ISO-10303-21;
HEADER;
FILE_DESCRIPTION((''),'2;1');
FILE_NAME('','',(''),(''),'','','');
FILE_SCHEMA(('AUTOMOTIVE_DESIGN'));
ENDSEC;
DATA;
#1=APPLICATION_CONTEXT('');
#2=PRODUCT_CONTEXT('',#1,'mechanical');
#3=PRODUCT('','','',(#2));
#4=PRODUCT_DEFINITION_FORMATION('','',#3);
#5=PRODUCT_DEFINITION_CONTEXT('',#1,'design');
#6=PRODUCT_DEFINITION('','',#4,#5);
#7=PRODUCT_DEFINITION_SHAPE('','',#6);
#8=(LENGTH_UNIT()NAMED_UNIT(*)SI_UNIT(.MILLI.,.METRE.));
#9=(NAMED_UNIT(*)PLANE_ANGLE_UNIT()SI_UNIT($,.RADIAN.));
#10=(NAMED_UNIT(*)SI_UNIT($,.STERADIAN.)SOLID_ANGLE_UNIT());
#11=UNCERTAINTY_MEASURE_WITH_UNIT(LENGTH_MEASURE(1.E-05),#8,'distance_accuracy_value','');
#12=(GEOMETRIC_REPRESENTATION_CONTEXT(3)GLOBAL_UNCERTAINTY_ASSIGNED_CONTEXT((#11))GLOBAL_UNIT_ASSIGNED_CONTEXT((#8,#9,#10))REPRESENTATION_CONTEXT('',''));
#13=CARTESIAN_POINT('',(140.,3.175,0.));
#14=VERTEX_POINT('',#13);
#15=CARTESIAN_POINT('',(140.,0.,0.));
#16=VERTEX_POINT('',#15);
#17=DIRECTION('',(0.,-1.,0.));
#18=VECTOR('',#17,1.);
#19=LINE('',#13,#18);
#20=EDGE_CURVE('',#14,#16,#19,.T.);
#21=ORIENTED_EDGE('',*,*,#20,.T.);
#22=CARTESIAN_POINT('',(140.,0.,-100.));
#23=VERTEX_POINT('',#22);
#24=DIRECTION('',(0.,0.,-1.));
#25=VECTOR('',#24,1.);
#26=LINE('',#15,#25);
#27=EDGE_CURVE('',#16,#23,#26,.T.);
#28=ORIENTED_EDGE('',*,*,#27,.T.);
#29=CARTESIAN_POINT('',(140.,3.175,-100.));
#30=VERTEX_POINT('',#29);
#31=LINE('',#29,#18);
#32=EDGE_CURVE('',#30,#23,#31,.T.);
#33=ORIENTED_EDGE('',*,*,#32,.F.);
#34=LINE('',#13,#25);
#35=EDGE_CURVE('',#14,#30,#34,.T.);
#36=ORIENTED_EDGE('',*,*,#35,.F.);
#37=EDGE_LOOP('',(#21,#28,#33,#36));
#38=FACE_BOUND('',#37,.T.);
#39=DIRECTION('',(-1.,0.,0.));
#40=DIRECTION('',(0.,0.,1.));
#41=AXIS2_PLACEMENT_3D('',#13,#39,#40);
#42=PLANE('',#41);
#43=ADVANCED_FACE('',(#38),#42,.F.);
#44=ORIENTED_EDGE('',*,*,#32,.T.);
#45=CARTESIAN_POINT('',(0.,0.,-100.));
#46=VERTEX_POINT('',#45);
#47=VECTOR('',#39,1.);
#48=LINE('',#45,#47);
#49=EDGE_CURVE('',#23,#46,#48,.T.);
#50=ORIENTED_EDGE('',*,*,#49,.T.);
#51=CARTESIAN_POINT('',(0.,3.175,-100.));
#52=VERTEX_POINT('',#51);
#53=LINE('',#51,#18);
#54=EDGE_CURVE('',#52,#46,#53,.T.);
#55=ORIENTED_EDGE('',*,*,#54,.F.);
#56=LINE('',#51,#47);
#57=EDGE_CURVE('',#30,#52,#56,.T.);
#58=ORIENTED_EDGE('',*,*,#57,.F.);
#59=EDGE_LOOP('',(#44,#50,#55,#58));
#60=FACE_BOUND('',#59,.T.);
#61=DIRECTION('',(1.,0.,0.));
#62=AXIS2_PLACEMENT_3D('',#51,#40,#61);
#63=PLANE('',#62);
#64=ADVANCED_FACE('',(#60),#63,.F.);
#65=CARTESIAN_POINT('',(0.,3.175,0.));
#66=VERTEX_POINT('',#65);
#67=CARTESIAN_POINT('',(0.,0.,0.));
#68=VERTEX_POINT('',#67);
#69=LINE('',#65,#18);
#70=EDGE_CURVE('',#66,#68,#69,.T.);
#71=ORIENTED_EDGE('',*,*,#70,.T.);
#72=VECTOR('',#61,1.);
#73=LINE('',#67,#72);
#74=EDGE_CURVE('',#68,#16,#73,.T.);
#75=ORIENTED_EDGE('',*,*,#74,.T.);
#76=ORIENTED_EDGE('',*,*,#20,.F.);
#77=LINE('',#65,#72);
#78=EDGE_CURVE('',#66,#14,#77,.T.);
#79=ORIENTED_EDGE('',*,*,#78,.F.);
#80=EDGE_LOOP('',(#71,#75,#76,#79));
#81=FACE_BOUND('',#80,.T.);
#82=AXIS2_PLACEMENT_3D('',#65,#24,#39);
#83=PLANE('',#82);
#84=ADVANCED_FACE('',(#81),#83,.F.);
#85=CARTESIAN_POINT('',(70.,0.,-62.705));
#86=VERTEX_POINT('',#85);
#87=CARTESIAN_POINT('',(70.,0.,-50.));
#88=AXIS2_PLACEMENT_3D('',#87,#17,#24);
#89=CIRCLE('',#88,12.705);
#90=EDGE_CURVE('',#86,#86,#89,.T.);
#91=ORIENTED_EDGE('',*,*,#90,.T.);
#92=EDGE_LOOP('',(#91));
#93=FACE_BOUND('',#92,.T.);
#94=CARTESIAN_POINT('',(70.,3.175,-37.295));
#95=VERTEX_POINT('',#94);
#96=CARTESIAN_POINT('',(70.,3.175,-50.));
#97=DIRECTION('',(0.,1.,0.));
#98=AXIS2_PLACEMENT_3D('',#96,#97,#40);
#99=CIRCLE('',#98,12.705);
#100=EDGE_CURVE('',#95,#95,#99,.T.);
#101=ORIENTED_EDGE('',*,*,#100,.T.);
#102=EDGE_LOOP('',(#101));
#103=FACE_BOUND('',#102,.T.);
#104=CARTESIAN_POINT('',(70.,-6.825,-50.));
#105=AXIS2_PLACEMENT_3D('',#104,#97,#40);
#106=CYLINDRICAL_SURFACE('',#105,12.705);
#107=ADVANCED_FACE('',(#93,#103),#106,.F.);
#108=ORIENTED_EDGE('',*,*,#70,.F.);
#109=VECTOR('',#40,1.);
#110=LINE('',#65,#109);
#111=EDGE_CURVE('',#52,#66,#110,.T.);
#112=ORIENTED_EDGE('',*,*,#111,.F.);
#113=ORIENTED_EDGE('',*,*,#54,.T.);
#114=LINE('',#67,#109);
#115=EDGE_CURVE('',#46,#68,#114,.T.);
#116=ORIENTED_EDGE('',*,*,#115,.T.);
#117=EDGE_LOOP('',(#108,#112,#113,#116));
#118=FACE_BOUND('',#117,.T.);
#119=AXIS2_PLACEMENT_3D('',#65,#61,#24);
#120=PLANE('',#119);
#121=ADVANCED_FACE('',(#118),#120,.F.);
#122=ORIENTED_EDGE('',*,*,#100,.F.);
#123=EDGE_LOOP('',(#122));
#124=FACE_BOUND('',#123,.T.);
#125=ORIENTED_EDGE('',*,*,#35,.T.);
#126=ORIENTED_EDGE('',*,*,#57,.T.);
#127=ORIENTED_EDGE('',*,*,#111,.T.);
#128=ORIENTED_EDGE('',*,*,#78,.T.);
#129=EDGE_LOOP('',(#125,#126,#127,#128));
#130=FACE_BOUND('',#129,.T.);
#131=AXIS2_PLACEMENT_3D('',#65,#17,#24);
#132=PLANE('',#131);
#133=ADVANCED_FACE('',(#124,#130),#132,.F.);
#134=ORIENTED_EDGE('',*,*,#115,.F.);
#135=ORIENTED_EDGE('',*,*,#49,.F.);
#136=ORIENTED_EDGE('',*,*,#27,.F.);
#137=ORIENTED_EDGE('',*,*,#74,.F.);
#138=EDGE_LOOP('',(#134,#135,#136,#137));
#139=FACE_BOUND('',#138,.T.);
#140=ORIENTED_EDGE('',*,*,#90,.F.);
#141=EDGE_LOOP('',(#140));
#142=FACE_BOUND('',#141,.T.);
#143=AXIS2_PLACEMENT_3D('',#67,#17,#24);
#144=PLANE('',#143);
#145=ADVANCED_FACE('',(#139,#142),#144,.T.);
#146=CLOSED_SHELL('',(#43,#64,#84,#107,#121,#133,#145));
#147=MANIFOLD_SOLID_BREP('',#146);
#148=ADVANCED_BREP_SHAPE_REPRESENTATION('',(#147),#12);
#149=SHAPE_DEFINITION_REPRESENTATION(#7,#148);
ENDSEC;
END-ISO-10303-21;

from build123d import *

# Parameters (mm, degrees)
SKETCH1_W           = 140
SKETCH1_H           = 100
BOSS_EXTRUDE1_DEPTH = 3.175
SKETCH2_R           = 12.705
CUT_EXTRUDE1_DEPTH  = 10


with BuildPart() as part:
    # Sketch1 → Boss-Extrude1 (new body)
    with BuildSketch(Plane(origin=(0, 0, 0), x_dir=(1, 0, 0), z_dir=(0, 1, 0))):
        with Locations((70, 50)):
            Rectangle(SKETCH1_W, SKETCH1_H)
    extrude(amount=BOSS_EXTRUDE1_DEPTH)

    # Sketch2 → Cut-Extrude1 (cut)
    with BuildSketch(Plane(origin=(0, 3.175, 0), x_dir=(1, 0, 0), z_dir=(0, 1, 0))):
        with Locations(Location((70, 50, 0), (0, 0, 270))):
            Circle(SKETCH2_R)
    extrude(amount=-CUT_EXTRUDE1_DEPTH, mode=Mode.SUBTRACT)


solid = part.part
